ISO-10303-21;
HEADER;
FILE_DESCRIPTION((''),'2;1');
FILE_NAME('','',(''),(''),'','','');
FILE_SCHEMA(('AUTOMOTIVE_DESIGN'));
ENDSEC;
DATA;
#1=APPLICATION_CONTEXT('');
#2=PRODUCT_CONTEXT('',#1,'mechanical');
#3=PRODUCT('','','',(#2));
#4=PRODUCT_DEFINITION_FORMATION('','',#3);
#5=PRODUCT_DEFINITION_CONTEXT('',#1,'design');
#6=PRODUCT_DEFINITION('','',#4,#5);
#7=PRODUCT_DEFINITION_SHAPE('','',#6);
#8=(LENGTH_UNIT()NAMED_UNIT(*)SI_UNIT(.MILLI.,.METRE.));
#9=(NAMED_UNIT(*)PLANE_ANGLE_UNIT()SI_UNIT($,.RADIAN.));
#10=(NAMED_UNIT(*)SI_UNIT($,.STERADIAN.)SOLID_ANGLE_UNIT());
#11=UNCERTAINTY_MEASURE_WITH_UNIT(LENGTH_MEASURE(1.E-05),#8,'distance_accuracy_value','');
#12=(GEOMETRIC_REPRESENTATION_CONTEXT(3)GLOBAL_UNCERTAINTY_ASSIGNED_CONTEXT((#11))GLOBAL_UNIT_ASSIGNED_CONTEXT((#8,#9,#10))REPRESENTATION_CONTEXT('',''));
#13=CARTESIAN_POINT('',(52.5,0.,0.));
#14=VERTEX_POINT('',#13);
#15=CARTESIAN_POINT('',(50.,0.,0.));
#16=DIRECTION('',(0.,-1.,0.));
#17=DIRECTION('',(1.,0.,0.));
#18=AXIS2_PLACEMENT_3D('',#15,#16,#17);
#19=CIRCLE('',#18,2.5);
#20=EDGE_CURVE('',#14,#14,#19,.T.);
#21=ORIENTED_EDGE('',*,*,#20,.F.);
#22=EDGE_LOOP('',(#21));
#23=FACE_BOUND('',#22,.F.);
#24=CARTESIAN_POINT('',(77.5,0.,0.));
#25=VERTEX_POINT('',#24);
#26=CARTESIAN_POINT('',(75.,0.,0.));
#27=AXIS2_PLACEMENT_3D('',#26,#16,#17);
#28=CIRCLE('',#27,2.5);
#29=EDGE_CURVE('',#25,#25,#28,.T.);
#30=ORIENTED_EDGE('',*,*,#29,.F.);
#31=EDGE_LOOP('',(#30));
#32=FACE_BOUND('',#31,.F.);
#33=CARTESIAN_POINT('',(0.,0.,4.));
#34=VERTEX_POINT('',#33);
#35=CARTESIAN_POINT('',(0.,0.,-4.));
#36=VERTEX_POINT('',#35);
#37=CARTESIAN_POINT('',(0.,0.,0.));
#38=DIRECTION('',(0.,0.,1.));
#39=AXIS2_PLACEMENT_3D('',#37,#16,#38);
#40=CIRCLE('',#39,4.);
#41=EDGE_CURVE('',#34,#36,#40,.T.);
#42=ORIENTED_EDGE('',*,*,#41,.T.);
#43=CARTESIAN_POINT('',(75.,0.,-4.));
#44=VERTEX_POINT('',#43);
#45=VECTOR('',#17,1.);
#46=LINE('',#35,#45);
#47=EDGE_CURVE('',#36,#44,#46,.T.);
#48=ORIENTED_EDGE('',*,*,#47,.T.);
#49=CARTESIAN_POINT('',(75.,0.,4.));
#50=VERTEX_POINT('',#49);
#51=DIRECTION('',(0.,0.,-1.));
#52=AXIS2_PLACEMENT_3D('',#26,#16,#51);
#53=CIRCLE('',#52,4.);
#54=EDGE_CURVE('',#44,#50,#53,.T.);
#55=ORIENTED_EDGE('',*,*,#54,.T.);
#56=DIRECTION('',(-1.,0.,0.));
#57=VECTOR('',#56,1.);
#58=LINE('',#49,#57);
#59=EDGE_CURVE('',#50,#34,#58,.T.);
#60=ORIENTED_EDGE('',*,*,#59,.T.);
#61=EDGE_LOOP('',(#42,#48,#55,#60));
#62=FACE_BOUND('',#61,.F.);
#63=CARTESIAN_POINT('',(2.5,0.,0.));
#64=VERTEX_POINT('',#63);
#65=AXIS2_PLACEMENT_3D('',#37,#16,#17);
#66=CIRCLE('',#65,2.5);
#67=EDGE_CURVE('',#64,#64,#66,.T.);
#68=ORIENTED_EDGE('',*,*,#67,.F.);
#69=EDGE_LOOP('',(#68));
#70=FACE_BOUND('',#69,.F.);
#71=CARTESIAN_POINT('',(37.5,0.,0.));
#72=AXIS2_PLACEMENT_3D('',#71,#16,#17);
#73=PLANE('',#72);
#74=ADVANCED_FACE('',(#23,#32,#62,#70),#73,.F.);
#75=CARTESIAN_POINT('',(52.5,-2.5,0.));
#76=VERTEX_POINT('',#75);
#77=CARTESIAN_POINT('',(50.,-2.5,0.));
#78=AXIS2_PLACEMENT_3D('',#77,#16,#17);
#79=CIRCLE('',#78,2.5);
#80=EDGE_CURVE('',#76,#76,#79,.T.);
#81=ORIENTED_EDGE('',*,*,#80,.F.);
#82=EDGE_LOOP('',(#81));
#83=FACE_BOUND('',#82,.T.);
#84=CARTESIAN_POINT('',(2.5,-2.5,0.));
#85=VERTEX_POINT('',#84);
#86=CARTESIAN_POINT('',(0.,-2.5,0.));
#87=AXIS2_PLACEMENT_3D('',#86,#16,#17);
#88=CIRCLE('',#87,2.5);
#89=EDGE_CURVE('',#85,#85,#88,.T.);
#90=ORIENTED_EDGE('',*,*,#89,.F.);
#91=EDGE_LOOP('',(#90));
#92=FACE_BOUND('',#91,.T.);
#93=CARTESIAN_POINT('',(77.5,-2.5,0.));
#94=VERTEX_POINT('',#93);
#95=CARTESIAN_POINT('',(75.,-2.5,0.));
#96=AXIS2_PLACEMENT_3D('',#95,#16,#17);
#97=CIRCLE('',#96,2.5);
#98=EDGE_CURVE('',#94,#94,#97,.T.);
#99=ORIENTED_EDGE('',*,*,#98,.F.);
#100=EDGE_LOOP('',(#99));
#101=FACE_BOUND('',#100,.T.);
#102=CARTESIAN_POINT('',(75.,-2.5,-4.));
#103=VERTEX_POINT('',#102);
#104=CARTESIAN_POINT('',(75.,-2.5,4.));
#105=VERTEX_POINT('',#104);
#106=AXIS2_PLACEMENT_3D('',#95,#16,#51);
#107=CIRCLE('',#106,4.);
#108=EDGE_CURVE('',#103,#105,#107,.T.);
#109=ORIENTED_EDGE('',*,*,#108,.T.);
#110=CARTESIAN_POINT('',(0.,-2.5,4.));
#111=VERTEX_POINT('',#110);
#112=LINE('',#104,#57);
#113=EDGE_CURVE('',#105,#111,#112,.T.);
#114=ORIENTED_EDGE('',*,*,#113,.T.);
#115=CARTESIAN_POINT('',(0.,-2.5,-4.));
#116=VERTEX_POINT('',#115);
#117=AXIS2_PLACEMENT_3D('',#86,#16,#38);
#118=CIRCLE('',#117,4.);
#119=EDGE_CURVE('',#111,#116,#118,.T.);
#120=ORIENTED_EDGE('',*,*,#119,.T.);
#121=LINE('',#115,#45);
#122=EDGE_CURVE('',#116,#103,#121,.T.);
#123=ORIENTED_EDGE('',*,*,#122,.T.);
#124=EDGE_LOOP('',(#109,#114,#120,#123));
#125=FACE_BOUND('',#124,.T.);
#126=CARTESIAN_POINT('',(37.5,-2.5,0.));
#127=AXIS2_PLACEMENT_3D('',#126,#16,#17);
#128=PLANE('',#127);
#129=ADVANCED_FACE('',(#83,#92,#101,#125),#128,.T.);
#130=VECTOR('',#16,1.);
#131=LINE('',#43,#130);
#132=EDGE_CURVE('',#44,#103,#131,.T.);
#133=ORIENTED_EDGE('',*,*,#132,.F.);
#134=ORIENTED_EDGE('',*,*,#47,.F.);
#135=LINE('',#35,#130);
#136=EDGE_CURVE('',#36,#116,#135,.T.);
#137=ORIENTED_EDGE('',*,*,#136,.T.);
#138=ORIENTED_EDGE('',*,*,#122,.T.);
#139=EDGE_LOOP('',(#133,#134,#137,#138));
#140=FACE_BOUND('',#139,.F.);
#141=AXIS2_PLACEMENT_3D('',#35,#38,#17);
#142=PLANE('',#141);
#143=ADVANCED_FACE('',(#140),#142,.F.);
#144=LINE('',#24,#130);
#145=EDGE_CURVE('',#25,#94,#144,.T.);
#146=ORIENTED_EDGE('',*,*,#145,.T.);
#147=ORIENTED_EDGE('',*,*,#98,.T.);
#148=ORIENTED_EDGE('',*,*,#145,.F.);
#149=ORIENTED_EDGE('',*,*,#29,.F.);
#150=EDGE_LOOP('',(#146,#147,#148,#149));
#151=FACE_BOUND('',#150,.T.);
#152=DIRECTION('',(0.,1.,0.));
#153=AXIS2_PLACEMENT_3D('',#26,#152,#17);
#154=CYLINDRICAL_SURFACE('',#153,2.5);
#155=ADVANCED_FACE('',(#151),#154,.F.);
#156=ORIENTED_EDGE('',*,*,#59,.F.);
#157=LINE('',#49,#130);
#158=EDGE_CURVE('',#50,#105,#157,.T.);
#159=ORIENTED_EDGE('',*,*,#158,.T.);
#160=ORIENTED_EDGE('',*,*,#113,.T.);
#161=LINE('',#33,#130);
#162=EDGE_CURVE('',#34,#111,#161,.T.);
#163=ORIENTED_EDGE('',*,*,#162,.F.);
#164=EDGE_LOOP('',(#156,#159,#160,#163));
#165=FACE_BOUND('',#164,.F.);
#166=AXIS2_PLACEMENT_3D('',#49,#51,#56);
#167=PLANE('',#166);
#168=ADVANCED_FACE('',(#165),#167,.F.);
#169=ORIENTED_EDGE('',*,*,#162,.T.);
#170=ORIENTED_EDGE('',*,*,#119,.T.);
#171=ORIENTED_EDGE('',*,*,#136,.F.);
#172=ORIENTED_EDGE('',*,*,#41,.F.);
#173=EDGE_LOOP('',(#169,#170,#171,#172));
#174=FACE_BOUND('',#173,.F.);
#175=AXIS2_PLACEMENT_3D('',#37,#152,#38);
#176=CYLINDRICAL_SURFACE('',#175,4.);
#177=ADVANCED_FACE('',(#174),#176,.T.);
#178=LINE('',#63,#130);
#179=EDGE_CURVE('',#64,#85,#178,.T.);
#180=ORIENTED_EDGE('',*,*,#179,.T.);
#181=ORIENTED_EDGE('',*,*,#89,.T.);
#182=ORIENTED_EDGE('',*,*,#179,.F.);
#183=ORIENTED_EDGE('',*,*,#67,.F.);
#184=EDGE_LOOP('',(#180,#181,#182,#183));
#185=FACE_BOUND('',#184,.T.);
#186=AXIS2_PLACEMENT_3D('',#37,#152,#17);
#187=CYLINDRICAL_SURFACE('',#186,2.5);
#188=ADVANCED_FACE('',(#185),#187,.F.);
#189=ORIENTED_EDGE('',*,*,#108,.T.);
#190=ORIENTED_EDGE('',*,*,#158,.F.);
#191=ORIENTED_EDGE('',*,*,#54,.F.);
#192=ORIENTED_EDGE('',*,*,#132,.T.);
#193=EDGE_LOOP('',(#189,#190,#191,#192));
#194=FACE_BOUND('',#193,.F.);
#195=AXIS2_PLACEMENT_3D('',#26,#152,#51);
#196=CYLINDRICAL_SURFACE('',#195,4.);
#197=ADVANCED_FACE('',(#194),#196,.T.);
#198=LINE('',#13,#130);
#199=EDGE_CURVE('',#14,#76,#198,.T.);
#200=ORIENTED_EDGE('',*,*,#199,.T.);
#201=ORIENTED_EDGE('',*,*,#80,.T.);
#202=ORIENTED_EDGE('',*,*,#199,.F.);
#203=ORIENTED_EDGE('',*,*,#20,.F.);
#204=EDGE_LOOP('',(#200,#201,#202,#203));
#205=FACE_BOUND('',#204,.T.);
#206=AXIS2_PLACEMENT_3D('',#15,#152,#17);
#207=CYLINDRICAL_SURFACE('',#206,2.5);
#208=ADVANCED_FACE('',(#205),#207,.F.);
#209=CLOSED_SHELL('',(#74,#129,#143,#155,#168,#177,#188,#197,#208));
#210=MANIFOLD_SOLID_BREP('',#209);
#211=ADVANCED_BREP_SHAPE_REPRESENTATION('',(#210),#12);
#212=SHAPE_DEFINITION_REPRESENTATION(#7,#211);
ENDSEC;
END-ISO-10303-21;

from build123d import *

# Parameters (mm, degrees)
F0_R     = 2.5
F1_DEPTH = 2.5


with BuildPart() as f1:
    # F0 (on Front) → F1 (new body)
    with BuildSketch(Plane.XZ):
        with BuildLine():
            Line((75, 4), (0, 4))
            ThreePointArc((0, 4), (-4, 0), (0, -4))
            Line((0, -4), (75, -4))
            ThreePointArc((75, -4), (79, 0), (75, 4))
        make_face()
        Circle(F0_R, mode=Mode.SUBTRACT)
        with Locations((50, 0)):
            Circle(F0_R, mode=Mode.SUBTRACT)
        with Locations((75, 0)):
            Circle(F0_R, mode=Mode.SUBTRACT)
    extrude(amount=F1_DEPTH)


solid = f1.part
